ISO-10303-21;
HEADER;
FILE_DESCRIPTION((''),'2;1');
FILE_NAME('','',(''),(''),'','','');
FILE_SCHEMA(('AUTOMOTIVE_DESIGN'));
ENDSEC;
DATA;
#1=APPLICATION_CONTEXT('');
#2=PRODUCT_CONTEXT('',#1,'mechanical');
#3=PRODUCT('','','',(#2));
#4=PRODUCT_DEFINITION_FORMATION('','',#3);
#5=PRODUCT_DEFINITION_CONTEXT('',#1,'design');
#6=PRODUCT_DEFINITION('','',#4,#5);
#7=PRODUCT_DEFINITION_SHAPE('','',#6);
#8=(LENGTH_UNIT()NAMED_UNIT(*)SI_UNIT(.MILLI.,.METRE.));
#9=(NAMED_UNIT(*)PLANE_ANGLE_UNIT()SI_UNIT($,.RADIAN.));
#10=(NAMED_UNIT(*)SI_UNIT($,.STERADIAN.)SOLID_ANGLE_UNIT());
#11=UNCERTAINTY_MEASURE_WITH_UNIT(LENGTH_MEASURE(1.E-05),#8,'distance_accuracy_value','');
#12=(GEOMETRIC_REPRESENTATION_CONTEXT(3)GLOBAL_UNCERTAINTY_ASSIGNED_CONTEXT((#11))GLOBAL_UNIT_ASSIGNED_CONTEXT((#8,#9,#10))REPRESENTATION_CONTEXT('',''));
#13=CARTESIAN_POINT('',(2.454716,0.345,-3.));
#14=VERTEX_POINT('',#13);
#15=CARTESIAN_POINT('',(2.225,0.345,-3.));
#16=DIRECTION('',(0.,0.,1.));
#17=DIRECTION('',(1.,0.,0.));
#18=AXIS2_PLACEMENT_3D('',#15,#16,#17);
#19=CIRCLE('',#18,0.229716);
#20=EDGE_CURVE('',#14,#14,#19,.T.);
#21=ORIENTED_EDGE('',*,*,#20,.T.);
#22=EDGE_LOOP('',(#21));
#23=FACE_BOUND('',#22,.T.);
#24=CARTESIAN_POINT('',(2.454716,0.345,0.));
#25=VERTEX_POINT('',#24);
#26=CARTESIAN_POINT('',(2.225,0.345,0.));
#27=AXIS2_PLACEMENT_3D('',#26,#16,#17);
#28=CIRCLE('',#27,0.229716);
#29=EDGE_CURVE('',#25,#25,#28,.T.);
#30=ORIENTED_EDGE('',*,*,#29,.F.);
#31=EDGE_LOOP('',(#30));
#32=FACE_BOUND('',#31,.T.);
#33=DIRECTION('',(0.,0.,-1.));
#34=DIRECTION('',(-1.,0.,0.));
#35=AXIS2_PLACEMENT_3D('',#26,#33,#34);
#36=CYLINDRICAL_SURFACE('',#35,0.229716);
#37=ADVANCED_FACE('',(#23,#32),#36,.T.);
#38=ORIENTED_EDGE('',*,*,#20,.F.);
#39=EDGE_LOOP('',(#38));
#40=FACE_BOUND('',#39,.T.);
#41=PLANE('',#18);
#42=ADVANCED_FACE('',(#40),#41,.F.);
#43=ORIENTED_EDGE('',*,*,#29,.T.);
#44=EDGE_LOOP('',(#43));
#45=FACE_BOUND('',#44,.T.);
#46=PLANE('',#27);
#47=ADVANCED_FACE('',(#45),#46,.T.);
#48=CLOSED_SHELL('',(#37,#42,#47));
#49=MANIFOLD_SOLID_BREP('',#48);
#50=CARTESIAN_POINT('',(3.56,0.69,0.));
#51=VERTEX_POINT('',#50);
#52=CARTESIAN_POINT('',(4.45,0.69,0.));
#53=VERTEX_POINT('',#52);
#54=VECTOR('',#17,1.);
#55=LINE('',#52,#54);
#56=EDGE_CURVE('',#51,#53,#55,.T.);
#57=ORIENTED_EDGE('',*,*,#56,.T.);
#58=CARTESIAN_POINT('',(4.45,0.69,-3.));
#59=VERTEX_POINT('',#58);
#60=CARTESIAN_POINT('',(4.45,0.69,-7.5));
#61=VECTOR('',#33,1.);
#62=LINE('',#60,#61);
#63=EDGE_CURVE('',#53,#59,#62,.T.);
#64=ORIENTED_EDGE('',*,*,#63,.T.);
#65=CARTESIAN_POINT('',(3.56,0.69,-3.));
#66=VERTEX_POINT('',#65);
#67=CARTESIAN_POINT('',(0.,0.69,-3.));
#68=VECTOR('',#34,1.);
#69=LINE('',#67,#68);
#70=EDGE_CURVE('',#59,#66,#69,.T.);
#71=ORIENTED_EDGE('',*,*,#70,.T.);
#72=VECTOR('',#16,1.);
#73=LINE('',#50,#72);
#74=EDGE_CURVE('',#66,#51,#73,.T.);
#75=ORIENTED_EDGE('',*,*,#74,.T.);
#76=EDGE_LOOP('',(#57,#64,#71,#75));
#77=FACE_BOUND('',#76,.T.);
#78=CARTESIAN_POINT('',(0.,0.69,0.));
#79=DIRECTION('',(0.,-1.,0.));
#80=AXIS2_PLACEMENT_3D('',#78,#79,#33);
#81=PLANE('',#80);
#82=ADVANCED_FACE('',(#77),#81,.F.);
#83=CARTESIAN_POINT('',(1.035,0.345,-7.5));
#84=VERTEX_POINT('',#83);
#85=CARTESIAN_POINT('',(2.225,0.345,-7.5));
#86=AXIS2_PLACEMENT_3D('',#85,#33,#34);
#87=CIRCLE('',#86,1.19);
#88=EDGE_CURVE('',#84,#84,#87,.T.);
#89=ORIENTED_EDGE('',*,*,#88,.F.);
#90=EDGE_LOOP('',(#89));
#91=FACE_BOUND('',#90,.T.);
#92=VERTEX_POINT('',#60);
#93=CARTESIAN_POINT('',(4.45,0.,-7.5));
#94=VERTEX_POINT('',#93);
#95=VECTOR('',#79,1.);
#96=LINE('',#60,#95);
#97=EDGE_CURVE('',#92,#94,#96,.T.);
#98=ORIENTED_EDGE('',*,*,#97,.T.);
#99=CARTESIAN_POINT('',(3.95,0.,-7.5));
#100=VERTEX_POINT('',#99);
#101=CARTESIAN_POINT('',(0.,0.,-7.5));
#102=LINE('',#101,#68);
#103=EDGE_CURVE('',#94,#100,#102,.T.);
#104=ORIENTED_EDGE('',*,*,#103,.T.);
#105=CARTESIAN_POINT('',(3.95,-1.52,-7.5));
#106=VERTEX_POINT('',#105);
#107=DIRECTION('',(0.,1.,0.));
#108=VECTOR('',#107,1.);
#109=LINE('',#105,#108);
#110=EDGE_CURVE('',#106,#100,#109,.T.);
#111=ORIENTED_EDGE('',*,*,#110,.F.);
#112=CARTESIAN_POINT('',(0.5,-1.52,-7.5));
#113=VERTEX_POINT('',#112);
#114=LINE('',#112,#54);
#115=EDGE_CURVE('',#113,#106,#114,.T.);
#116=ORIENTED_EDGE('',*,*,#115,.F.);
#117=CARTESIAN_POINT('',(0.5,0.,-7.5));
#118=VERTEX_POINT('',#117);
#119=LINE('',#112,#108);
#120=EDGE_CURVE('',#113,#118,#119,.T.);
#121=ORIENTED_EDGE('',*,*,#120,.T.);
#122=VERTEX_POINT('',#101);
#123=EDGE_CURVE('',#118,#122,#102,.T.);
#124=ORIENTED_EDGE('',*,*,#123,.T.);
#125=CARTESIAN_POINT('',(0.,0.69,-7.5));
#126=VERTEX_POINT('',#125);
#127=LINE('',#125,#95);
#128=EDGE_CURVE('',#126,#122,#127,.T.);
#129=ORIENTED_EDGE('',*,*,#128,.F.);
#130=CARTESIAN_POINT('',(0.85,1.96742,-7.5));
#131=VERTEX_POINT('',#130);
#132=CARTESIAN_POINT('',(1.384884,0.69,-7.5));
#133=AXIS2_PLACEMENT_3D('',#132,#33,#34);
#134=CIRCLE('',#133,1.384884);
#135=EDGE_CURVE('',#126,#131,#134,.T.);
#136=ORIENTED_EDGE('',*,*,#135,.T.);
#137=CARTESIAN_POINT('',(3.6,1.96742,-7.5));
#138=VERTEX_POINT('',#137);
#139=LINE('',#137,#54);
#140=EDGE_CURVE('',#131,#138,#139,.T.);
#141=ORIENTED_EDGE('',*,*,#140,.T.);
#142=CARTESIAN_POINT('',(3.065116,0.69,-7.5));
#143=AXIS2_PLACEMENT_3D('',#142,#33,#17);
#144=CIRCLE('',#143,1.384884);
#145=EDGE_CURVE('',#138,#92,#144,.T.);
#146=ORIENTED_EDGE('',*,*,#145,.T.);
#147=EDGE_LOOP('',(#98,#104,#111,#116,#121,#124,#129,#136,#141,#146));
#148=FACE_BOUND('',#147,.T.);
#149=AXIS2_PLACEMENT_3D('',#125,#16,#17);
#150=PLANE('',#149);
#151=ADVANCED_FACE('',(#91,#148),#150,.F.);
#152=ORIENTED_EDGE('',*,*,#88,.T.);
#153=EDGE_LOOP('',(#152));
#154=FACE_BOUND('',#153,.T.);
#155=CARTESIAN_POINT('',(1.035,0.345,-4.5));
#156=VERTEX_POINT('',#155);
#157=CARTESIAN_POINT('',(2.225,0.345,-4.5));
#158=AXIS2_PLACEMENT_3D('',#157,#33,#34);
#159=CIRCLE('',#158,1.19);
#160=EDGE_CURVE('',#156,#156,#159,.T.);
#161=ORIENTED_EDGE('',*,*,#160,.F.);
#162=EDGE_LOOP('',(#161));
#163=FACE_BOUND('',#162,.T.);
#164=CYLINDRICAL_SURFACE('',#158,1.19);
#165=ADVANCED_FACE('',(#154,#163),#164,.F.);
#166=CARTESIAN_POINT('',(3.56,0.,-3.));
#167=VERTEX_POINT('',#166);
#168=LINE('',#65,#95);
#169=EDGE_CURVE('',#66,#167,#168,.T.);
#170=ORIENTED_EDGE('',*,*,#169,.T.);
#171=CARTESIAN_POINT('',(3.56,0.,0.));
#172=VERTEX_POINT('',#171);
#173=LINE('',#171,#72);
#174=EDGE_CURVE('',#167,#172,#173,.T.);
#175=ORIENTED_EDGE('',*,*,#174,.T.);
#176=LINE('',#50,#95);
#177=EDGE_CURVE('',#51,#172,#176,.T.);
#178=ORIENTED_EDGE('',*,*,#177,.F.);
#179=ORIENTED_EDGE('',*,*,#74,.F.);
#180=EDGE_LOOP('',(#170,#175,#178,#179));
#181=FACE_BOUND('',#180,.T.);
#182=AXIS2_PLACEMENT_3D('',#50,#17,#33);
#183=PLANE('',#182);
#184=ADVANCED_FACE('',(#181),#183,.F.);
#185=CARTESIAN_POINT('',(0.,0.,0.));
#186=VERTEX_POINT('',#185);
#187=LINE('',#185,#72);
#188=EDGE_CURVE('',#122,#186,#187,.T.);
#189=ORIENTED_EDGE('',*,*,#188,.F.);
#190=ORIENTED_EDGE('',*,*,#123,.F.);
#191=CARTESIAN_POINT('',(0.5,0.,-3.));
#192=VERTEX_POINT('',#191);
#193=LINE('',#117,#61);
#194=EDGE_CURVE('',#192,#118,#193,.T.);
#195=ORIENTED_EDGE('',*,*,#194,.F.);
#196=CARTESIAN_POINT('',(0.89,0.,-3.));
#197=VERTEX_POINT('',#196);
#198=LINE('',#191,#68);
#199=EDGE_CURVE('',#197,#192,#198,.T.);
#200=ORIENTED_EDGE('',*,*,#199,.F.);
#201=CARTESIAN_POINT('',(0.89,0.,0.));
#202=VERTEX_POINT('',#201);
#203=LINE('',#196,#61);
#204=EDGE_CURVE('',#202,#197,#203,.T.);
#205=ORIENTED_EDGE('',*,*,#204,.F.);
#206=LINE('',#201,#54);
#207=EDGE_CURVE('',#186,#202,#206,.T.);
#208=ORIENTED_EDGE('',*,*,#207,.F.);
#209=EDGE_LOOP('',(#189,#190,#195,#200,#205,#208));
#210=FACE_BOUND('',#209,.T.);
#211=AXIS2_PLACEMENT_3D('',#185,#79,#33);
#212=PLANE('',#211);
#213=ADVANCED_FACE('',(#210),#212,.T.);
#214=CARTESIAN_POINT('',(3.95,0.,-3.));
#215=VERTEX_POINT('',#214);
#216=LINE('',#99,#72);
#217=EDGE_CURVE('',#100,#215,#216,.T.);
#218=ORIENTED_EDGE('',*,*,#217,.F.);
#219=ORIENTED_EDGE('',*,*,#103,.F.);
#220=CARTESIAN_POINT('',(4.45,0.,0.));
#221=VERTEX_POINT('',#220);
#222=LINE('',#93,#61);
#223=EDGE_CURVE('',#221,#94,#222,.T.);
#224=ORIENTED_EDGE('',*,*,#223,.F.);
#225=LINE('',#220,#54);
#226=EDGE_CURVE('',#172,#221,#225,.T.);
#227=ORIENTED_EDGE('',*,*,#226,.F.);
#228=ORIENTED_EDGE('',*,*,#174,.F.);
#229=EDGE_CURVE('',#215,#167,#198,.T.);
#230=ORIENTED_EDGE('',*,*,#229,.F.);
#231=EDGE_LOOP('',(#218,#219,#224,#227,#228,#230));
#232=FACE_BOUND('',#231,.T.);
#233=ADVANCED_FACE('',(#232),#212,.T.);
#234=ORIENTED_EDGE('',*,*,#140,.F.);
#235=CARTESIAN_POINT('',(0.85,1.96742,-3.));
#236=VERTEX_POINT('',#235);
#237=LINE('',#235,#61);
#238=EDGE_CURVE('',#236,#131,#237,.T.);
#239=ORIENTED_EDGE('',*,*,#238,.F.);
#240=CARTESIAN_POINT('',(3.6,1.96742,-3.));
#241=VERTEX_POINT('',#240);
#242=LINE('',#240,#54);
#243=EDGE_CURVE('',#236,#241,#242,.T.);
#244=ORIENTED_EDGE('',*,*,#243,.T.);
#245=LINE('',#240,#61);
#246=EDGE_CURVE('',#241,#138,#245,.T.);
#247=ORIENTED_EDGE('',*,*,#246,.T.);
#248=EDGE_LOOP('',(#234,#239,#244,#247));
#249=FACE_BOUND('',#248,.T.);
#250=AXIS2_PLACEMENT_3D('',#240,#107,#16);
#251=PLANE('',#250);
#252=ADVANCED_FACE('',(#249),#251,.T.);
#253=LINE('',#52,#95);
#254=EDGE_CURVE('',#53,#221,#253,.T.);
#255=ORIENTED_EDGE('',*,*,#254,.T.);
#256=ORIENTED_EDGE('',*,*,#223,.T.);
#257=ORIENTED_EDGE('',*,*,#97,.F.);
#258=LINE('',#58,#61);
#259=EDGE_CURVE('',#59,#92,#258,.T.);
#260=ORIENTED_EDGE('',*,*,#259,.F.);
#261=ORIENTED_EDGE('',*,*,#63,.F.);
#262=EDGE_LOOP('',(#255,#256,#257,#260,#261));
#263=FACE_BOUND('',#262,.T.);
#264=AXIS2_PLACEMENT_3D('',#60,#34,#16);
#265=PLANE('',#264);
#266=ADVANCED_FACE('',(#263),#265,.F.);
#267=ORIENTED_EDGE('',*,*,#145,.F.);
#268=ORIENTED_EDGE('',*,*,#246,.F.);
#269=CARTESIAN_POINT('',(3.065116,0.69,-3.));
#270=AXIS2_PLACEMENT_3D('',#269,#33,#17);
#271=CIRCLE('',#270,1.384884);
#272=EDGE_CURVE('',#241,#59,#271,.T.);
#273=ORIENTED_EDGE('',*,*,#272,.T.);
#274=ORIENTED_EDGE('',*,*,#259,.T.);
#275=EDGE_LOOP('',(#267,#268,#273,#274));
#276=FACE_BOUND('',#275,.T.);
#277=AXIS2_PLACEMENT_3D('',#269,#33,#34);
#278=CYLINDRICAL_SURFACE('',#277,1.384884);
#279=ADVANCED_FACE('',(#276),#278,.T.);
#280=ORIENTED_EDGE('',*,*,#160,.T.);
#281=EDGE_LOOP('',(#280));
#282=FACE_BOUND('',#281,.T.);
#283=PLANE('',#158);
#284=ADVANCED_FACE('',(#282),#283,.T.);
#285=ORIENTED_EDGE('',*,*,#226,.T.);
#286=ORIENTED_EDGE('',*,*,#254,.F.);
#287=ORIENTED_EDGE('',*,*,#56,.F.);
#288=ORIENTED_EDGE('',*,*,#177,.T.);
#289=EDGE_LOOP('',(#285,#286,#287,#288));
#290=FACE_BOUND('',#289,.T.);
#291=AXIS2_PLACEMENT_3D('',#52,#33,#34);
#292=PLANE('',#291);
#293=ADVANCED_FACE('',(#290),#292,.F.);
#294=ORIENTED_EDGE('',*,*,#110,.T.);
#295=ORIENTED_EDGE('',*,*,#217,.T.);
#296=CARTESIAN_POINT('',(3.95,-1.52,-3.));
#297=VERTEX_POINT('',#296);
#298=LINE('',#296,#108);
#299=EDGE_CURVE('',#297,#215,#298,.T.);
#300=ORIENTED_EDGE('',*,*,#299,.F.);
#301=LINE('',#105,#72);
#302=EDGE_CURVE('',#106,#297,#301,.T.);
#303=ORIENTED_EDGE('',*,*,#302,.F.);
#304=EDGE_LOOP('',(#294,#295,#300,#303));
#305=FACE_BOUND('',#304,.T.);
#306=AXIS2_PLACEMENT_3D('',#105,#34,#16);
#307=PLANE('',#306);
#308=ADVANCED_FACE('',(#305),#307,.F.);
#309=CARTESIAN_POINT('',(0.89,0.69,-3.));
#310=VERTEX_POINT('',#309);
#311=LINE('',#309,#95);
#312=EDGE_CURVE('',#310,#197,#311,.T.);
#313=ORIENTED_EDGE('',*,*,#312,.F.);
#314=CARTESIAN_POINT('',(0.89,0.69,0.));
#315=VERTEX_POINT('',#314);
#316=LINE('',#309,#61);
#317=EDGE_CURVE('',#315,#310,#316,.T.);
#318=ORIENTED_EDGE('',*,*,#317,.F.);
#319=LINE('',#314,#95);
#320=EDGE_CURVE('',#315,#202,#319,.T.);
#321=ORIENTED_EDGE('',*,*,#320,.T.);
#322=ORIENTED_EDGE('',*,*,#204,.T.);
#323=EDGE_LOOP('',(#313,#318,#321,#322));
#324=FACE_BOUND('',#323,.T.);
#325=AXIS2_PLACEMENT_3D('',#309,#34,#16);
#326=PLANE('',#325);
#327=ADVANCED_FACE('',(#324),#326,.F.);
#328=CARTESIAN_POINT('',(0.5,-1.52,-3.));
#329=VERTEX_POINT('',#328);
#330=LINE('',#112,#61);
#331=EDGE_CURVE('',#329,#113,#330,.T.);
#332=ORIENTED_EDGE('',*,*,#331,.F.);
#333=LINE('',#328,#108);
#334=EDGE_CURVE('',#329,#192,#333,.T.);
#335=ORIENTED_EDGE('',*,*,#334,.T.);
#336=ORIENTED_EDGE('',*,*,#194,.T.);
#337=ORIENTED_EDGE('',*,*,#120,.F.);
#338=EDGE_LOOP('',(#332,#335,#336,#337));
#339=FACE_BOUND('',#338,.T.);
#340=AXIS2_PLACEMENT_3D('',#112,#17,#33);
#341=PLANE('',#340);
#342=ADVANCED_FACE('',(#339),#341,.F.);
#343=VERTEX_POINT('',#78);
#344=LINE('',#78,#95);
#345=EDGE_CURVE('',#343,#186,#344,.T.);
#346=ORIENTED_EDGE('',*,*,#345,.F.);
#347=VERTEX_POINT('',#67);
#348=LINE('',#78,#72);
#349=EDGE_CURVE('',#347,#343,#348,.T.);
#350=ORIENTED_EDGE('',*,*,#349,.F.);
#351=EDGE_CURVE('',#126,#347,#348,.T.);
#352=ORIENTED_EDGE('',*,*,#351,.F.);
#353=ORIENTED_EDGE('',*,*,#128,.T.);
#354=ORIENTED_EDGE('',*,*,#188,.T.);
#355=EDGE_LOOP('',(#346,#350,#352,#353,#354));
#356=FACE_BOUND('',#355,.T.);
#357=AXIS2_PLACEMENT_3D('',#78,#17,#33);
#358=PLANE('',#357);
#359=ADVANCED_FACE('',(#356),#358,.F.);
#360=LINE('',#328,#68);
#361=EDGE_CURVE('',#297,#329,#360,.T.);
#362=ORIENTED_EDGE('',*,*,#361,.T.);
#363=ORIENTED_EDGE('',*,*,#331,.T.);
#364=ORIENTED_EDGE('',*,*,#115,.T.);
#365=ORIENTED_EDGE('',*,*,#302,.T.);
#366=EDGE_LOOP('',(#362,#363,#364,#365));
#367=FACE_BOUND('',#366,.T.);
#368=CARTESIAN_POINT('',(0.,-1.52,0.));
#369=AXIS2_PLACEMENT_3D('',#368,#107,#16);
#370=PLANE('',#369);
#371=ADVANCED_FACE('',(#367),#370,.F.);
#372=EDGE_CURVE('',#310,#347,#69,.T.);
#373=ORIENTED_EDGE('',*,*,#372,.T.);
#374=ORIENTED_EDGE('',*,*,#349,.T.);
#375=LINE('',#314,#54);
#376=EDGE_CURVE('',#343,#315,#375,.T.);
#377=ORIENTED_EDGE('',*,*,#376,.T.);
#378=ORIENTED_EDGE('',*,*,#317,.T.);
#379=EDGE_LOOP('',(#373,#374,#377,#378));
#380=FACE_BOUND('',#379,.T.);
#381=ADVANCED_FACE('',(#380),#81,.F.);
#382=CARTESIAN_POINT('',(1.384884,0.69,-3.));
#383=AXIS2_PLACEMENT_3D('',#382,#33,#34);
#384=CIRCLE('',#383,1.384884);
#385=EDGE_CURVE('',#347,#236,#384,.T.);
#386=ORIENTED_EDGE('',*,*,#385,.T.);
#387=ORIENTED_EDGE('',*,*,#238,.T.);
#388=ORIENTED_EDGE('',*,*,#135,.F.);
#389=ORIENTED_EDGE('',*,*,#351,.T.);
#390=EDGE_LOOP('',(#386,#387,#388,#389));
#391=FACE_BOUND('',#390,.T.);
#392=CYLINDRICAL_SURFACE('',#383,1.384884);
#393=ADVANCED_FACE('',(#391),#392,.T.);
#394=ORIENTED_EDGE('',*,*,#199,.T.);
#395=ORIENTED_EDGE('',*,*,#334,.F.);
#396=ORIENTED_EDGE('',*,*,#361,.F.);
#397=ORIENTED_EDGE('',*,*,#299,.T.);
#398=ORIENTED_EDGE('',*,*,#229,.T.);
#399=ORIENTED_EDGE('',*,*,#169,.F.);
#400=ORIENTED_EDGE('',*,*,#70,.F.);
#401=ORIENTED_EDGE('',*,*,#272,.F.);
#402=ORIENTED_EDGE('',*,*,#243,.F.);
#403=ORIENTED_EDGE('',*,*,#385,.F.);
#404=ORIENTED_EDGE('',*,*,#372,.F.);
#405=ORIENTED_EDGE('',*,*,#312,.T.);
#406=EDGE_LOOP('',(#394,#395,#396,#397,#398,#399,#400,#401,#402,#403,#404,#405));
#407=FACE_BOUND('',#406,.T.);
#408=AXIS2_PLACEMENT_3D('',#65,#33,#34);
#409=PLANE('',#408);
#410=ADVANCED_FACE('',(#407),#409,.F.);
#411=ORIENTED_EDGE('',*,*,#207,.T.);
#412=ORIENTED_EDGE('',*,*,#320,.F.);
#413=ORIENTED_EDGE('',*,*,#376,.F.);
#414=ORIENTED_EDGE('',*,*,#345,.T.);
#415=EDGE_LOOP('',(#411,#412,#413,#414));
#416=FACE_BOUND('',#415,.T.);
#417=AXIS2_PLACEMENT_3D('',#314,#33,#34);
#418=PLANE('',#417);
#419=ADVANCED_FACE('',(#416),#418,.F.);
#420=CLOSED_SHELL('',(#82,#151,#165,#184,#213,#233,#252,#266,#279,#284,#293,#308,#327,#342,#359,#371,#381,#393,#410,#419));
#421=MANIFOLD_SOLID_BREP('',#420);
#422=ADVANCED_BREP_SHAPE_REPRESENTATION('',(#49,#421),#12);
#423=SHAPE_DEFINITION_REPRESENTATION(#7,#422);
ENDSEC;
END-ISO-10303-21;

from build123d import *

# Parameters (mm, degrees)
BOSS_EXTRUDE2_DEPTH = 0.69
SKETCH3_W           = 3.45
SKETCH3_H           = 4.5
BOSS_EXTRUDE3_DEPTH = 1.52
SKETCH4_R           = 0.229716396
BOSS_EXTRUDE4_DEPTH = 3
BOSS_EXTRUDE5_DEPTH = 4.5
SKETCH6_R           = 1.19
CUT_EXTRUDE1_DEPTH  = 3


with BuildPart() as part:
    # Sketch1 → Boss-Extrude2 (new body)
    with BuildSketch(Plane(origin=(0, 0, 0), x_dir=(1, 0, 0), z_dir=(0, 1, 0))):
        Polygon((0.89, 3), (0.89, 0), (0, 0), (0, 7.5), (4.45, 7.5), (4.45, 0), (3.56, 0), (3.56, 3), align=None)
    extrude(amount=BOSS_EXTRUDE2_DEPTH)

    # Sketch3 → Boss-Extrude3 (add)
    with BuildSketch(Plane.XZ):
        with Locations((2.225, -5.25)):
            Rectangle(SKETCH3_W, SKETCH3_H)
    extrude(amount=BOSS_EXTRUDE3_DEPTH)

    # Sketch5 → Boss-Extrude5 (add)
    with BuildSketch(Plane(origin=(0, 0, -7.5), x_dir=(-1, 0, 0), z_dir=(0, 0, -1))):
        with BuildLine():
            Line((-3.6, 1.967420132), (-0.85, 1.967420132))
            ThreePointArc((-0.85, 1.967420132), (-0.231919135, 1.457186776), (0, 0.69))
            Line((0, 0.69), (-4.45, 0.69))
            ThreePointArc((-4.45, 0.69), (-4.218080865, 1.457186776), (-3.6, 1.967420132))
        make_face()
    extrude(amount=-BOSS_EXTRUDE5_DEPTH)

    # Sketch6 → Cut-Extrude1 (cut)
    with BuildSketch(Plane(origin=(0, 0, -7.5), x_dir=(-1, 0, 0), z_dir=(0, 0, -1))):
        with Locations((-2.225, 0.345)):
            Circle(SKETCH6_R)
    extrude(amount=-CUT_EXTRUDE1_DEPTH, mode=Mode.SUBTRACT)


with BuildPart() as body_2:
    # Sketch4 → Boss-Extrude4 (new body)
    with BuildSketch(Plane.XY.offset(-3)):
        with Locations((2.225, 0.345)):
            Circle(SKETCH4_R)
    extrude(amount=BOSS_EXTRUDE4_DEPTH)


solid = Compound([part.part, body_2.part])
